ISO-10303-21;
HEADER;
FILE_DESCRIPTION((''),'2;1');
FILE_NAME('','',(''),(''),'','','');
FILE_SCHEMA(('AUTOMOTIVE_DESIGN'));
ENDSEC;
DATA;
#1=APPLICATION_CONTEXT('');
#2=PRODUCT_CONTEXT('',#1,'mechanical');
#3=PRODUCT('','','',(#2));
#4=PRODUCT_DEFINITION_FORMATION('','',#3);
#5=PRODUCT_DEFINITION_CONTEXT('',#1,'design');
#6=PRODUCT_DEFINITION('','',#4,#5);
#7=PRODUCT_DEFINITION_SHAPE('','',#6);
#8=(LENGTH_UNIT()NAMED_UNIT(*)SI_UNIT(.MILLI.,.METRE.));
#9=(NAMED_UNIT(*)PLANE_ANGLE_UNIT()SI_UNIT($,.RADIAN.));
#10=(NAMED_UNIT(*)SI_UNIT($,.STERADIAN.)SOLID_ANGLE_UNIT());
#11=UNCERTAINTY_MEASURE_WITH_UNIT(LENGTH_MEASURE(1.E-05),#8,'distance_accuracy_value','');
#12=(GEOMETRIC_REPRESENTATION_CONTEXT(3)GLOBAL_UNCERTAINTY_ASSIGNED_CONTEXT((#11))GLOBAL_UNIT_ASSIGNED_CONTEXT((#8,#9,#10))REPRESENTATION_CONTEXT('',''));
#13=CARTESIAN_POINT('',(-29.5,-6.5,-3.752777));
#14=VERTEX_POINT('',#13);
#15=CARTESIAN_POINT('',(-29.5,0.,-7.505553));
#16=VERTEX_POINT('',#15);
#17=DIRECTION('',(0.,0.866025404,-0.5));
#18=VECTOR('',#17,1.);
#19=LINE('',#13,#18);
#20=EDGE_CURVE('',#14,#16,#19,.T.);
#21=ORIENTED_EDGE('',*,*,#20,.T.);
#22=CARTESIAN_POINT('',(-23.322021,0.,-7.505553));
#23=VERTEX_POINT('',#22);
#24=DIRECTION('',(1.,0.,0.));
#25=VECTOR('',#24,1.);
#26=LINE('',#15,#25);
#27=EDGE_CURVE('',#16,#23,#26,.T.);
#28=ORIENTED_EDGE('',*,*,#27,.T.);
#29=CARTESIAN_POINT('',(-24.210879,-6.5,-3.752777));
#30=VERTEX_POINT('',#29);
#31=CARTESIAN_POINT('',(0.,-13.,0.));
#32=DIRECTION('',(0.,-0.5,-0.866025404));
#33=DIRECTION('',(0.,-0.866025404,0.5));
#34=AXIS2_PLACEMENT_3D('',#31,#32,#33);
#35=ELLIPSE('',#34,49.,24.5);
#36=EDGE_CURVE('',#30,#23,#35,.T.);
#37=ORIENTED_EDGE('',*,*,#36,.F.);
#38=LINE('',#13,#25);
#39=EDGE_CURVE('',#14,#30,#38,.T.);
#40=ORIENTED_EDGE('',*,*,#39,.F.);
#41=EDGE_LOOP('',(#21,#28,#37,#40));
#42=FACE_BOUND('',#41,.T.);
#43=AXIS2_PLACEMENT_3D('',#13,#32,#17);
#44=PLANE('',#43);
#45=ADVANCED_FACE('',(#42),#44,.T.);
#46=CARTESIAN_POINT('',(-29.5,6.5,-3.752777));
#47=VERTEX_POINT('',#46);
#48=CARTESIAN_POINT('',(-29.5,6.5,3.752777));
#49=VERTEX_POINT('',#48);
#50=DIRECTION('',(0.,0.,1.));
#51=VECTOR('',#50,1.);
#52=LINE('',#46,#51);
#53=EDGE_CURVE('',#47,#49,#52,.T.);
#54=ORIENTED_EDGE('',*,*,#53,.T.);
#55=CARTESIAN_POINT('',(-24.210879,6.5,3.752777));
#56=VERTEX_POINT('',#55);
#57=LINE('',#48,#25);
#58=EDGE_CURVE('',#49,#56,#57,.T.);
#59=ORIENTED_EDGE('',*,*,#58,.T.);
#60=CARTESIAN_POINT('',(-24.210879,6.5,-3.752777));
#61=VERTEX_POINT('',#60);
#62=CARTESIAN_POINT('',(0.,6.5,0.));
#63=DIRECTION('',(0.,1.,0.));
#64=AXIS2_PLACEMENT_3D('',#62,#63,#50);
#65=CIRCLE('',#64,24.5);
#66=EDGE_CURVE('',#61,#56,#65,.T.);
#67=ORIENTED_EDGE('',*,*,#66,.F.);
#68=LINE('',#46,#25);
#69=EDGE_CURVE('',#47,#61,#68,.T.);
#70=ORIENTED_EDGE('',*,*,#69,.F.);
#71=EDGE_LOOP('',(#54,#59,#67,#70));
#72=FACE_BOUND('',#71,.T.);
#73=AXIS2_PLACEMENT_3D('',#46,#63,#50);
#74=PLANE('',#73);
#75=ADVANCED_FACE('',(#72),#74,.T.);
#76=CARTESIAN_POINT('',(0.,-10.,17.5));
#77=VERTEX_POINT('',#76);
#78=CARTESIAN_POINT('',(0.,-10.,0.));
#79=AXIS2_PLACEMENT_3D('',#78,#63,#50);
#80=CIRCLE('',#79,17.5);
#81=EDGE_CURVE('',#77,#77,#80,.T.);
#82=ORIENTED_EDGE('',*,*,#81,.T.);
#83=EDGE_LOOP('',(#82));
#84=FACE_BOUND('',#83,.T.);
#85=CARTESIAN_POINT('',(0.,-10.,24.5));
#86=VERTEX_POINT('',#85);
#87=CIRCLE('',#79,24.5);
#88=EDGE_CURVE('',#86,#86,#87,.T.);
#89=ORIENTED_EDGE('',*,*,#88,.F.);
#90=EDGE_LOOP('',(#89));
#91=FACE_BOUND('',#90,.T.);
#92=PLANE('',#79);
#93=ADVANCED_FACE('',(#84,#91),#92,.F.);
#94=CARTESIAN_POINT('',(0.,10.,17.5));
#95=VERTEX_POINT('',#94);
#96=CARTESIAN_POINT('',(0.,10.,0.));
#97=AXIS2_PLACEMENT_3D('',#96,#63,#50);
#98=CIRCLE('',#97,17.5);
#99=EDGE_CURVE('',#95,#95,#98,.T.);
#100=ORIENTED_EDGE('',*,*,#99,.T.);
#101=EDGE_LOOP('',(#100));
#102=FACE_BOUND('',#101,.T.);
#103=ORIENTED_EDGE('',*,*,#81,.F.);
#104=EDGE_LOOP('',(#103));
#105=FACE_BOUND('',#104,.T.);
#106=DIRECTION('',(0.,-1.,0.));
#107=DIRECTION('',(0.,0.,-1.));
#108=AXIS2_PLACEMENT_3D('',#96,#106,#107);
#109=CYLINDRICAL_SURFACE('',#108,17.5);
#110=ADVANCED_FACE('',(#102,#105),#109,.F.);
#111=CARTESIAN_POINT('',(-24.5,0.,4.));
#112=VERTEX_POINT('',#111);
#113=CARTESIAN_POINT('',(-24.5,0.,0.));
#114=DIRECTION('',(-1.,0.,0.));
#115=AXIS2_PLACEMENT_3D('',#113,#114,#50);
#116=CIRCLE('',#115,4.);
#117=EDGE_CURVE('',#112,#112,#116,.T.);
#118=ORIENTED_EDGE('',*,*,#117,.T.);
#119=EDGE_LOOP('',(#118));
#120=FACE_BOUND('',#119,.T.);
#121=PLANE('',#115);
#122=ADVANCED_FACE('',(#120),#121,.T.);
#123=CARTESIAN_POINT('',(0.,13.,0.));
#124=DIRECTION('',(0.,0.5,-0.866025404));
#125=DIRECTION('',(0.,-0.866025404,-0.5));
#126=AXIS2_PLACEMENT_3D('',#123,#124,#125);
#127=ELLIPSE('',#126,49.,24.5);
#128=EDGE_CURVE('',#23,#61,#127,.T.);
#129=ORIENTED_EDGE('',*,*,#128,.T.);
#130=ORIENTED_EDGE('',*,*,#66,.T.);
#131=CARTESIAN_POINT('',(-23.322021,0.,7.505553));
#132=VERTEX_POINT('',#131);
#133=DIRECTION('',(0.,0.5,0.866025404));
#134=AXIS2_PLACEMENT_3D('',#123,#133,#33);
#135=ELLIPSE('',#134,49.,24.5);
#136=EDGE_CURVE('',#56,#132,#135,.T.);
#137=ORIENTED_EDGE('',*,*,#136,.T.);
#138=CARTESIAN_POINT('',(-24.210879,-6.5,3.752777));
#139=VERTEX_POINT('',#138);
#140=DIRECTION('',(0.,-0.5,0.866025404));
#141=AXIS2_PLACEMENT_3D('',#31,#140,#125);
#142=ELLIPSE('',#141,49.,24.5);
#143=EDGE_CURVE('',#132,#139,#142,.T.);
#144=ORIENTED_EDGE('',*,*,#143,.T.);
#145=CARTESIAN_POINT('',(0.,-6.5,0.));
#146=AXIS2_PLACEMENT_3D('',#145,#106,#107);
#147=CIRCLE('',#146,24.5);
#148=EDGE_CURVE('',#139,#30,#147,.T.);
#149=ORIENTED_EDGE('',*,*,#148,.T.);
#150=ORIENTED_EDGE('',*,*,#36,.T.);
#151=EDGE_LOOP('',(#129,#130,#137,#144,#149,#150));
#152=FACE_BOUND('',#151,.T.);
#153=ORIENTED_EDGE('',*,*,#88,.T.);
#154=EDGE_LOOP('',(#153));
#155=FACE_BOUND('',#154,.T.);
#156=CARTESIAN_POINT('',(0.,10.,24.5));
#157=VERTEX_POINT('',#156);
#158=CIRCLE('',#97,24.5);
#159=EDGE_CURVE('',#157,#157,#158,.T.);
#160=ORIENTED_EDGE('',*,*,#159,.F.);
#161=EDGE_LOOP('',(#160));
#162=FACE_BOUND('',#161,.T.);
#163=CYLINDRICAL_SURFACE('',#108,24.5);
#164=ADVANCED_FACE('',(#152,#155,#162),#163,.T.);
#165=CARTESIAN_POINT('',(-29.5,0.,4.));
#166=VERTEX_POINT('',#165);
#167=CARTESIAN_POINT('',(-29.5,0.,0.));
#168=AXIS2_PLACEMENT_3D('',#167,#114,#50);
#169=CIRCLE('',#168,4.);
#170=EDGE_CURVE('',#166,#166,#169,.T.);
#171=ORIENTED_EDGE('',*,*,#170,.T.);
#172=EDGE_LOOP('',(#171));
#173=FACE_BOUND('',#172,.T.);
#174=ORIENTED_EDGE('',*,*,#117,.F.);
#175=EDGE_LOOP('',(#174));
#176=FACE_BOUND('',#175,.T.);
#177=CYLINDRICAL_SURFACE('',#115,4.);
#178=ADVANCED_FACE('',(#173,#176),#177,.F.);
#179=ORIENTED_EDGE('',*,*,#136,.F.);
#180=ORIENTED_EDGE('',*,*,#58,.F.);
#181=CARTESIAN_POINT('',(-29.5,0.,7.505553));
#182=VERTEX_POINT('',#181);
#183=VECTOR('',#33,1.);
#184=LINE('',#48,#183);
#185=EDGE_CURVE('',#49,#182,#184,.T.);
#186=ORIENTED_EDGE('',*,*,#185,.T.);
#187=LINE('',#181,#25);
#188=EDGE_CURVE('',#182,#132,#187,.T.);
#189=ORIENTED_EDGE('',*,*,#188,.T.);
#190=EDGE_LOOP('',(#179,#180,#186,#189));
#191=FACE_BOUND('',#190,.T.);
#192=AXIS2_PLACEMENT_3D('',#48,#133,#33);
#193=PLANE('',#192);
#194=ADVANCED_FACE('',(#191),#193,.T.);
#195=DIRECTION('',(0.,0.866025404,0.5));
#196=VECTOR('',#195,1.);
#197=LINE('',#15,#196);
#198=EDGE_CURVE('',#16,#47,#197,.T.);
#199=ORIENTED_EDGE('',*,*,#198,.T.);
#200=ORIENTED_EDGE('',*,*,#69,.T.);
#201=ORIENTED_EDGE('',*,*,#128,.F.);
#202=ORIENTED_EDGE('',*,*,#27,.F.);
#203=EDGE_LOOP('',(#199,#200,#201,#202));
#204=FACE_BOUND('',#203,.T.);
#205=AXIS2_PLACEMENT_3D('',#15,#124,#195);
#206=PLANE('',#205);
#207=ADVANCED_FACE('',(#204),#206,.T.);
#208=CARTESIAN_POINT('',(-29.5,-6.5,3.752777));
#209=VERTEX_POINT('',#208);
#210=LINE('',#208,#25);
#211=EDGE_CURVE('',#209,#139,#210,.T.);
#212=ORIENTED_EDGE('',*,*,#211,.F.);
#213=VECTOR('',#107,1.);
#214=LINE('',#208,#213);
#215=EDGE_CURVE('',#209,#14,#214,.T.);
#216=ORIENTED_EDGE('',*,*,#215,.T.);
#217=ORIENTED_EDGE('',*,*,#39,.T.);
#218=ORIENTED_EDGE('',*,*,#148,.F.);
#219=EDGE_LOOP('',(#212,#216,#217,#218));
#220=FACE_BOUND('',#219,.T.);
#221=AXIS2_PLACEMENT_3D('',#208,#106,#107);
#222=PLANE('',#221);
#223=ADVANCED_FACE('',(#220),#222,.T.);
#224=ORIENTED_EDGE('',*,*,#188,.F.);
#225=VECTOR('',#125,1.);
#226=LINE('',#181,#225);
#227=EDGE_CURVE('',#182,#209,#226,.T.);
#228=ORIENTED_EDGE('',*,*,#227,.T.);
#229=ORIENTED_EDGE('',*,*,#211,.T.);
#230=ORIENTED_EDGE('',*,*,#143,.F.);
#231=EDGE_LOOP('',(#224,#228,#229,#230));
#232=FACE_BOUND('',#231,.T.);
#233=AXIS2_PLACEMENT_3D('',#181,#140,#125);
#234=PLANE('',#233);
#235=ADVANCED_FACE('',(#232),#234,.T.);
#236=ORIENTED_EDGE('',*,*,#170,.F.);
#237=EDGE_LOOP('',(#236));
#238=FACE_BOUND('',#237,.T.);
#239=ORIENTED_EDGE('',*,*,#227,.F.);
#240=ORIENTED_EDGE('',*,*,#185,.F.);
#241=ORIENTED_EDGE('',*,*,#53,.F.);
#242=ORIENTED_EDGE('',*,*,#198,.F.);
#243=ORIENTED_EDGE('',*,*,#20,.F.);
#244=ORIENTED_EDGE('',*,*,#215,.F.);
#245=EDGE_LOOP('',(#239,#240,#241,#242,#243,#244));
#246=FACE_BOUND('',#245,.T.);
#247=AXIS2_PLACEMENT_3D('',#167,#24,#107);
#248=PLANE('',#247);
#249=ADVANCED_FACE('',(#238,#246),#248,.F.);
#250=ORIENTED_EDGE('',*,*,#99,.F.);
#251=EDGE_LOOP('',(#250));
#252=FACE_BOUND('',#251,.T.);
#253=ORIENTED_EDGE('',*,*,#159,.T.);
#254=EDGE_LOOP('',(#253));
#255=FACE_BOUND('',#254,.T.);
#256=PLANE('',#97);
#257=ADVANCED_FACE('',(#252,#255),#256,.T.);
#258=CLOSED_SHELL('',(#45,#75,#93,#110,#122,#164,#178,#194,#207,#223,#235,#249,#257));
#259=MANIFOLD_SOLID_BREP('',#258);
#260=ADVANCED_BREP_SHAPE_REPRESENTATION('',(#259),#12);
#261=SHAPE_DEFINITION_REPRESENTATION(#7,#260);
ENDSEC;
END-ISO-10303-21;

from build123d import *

# Parameters (mm, degrees)
SKETCH_2_R          = 24.5
SKETCH_2_R_2        = 17.5
EXTRUDE_1_DEPTH     = 10
EXTRUDE_START       = -20
EXTRUDE_2_DEPTH     = 9.5
SKETCH_4_R          = 4
CUT_EXTRUDE_2_DEPTH = 5


with BuildPart() as part:
    # Эскиз2 → Бобышка-Вытянуть1 (new, symmetric)
    with BuildSketch(Plane(origin=(0, 0, 0), x_dir=(1, 0, 0), z_dir=(0, 1, 0))):
        with Locations(Location((0, 0, 0), (0, 0, 270))):
            Circle(SKETCH_2_R)
        with Locations(Location((0, 0, 0), (0, 0, 270))):
            Circle(SKETCH_2_R_2, mode=Mode.SUBTRACT)
    extrude(amount=EXTRUDE_1_DEPTH, both=True)

    # Эскиз3 → Бобышка-Вытянуть2 (add)
    with BuildSketch(Plane(origin=(0, 0, 0), x_dir=(0, 0, -1), z_dir=(1, 0, 0)).offset(EXTRUDE_START)):
        Polygon((7.505553499, 0), (3.75277675, 6.5), (-3.75277675, 6.5), (-7.505553499, 0), (-3.75277675, -6.5), (3.75277675, -6.5), align=None)
    extrude(amount=-EXTRUDE_2_DEPTH)

    # Эскиз4 → Вырез-Вытянуть2 (cut)
    with BuildSketch(Plane.ZY.offset(29.5)):
        Circle(SKETCH_4_R)
    extrude(amount=-CUT_EXTRUDE_2_DEPTH, mode=Mode.SUBTRACT)


solid = part.part
